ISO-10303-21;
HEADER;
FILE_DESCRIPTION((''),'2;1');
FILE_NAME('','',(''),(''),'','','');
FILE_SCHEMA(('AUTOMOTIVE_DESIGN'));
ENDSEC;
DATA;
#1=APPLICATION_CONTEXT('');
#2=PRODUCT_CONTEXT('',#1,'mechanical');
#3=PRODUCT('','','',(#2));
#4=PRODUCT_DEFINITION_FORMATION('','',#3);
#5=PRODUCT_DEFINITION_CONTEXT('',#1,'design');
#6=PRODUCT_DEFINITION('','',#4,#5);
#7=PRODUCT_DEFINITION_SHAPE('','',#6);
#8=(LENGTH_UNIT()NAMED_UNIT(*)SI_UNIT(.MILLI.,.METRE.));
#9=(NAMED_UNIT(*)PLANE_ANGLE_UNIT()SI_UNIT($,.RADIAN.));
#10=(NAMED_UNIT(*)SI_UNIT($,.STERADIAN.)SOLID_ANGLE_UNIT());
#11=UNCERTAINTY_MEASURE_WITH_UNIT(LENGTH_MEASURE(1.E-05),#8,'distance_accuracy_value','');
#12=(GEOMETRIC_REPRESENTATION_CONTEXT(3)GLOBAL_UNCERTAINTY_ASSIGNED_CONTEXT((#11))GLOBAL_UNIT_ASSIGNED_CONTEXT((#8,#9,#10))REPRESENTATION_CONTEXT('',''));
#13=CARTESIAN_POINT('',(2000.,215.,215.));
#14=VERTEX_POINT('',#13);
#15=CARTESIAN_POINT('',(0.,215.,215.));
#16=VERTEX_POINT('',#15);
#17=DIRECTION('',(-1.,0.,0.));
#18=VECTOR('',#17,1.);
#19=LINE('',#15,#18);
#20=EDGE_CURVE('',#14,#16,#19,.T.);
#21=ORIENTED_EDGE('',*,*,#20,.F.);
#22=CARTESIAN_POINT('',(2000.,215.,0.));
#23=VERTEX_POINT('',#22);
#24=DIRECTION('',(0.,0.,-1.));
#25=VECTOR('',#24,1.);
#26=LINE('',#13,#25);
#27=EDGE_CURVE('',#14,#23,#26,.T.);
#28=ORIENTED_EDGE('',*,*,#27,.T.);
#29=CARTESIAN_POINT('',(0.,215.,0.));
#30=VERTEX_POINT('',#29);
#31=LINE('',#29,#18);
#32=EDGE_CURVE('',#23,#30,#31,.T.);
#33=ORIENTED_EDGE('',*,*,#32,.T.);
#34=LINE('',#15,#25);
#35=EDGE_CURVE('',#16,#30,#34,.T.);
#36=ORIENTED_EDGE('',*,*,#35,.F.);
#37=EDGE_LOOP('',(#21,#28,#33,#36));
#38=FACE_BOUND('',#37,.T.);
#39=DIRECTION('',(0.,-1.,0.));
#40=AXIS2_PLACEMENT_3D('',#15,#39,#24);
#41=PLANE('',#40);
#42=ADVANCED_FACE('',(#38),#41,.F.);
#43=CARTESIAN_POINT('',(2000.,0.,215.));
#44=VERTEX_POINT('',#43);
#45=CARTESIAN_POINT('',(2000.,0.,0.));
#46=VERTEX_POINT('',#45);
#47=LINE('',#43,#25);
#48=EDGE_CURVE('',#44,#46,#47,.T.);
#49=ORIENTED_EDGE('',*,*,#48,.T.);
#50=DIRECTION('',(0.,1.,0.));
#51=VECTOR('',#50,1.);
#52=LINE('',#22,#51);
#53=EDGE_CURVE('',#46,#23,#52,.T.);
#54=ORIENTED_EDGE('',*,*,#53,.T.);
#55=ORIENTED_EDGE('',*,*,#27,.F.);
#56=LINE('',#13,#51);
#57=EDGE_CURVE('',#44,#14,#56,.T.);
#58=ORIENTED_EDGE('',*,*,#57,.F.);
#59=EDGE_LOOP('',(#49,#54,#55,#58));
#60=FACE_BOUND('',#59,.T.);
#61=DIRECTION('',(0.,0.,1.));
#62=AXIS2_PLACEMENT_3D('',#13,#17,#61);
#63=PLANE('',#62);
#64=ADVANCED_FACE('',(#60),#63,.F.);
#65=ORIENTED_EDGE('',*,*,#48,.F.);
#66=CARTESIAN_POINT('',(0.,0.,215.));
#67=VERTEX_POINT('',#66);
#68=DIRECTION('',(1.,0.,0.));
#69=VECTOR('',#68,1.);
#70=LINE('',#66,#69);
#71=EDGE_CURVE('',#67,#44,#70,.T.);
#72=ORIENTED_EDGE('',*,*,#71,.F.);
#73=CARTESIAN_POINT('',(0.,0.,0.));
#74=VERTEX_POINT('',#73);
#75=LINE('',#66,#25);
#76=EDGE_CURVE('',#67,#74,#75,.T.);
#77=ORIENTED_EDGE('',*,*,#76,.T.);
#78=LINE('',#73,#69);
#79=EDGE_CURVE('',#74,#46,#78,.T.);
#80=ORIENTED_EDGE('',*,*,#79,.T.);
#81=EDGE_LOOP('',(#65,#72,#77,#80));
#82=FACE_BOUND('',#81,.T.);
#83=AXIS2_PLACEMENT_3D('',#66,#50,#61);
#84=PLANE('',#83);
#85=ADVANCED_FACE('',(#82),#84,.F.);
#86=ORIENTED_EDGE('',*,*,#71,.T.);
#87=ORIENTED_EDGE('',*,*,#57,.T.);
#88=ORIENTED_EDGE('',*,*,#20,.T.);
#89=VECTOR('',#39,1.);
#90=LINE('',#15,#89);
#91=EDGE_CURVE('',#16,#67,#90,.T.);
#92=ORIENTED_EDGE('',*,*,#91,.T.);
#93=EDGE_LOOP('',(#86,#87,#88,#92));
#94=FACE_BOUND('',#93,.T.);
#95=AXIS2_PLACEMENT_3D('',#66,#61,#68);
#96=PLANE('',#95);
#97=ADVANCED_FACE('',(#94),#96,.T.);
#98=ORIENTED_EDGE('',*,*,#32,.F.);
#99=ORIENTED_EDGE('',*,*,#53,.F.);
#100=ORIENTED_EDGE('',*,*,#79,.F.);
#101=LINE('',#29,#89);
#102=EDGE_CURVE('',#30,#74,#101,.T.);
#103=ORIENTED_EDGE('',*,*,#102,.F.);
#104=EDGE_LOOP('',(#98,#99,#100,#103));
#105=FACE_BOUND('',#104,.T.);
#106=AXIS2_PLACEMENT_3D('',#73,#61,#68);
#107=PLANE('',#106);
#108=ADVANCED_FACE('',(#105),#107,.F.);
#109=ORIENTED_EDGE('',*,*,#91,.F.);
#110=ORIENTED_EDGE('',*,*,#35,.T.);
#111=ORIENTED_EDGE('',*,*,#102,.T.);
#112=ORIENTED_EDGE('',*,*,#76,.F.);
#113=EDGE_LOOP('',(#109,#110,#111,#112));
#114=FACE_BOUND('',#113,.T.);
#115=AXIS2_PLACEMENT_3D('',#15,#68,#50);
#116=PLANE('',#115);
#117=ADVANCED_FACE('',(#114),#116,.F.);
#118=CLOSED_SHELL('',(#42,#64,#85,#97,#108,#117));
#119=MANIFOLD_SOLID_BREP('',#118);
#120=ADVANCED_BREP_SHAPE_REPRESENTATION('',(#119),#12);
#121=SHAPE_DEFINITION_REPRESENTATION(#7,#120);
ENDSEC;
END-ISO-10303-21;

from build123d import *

# Parameters (mm, degrees)
SKETCH_1_W        = 2000
SKETCH_1_H        = 215
EXTRUDE_304_DEPTH = 215


with BuildPart() as part:
    # 草图1 → Extrude 304 (new body)
    with BuildSketch(Plane.XY):
        with Locations((1000, 107.5)):
            Rectangle(SKETCH_1_W, SKETCH_1_H)
    extrude(amount=EXTRUDE_304_DEPTH)


solid = part.part
